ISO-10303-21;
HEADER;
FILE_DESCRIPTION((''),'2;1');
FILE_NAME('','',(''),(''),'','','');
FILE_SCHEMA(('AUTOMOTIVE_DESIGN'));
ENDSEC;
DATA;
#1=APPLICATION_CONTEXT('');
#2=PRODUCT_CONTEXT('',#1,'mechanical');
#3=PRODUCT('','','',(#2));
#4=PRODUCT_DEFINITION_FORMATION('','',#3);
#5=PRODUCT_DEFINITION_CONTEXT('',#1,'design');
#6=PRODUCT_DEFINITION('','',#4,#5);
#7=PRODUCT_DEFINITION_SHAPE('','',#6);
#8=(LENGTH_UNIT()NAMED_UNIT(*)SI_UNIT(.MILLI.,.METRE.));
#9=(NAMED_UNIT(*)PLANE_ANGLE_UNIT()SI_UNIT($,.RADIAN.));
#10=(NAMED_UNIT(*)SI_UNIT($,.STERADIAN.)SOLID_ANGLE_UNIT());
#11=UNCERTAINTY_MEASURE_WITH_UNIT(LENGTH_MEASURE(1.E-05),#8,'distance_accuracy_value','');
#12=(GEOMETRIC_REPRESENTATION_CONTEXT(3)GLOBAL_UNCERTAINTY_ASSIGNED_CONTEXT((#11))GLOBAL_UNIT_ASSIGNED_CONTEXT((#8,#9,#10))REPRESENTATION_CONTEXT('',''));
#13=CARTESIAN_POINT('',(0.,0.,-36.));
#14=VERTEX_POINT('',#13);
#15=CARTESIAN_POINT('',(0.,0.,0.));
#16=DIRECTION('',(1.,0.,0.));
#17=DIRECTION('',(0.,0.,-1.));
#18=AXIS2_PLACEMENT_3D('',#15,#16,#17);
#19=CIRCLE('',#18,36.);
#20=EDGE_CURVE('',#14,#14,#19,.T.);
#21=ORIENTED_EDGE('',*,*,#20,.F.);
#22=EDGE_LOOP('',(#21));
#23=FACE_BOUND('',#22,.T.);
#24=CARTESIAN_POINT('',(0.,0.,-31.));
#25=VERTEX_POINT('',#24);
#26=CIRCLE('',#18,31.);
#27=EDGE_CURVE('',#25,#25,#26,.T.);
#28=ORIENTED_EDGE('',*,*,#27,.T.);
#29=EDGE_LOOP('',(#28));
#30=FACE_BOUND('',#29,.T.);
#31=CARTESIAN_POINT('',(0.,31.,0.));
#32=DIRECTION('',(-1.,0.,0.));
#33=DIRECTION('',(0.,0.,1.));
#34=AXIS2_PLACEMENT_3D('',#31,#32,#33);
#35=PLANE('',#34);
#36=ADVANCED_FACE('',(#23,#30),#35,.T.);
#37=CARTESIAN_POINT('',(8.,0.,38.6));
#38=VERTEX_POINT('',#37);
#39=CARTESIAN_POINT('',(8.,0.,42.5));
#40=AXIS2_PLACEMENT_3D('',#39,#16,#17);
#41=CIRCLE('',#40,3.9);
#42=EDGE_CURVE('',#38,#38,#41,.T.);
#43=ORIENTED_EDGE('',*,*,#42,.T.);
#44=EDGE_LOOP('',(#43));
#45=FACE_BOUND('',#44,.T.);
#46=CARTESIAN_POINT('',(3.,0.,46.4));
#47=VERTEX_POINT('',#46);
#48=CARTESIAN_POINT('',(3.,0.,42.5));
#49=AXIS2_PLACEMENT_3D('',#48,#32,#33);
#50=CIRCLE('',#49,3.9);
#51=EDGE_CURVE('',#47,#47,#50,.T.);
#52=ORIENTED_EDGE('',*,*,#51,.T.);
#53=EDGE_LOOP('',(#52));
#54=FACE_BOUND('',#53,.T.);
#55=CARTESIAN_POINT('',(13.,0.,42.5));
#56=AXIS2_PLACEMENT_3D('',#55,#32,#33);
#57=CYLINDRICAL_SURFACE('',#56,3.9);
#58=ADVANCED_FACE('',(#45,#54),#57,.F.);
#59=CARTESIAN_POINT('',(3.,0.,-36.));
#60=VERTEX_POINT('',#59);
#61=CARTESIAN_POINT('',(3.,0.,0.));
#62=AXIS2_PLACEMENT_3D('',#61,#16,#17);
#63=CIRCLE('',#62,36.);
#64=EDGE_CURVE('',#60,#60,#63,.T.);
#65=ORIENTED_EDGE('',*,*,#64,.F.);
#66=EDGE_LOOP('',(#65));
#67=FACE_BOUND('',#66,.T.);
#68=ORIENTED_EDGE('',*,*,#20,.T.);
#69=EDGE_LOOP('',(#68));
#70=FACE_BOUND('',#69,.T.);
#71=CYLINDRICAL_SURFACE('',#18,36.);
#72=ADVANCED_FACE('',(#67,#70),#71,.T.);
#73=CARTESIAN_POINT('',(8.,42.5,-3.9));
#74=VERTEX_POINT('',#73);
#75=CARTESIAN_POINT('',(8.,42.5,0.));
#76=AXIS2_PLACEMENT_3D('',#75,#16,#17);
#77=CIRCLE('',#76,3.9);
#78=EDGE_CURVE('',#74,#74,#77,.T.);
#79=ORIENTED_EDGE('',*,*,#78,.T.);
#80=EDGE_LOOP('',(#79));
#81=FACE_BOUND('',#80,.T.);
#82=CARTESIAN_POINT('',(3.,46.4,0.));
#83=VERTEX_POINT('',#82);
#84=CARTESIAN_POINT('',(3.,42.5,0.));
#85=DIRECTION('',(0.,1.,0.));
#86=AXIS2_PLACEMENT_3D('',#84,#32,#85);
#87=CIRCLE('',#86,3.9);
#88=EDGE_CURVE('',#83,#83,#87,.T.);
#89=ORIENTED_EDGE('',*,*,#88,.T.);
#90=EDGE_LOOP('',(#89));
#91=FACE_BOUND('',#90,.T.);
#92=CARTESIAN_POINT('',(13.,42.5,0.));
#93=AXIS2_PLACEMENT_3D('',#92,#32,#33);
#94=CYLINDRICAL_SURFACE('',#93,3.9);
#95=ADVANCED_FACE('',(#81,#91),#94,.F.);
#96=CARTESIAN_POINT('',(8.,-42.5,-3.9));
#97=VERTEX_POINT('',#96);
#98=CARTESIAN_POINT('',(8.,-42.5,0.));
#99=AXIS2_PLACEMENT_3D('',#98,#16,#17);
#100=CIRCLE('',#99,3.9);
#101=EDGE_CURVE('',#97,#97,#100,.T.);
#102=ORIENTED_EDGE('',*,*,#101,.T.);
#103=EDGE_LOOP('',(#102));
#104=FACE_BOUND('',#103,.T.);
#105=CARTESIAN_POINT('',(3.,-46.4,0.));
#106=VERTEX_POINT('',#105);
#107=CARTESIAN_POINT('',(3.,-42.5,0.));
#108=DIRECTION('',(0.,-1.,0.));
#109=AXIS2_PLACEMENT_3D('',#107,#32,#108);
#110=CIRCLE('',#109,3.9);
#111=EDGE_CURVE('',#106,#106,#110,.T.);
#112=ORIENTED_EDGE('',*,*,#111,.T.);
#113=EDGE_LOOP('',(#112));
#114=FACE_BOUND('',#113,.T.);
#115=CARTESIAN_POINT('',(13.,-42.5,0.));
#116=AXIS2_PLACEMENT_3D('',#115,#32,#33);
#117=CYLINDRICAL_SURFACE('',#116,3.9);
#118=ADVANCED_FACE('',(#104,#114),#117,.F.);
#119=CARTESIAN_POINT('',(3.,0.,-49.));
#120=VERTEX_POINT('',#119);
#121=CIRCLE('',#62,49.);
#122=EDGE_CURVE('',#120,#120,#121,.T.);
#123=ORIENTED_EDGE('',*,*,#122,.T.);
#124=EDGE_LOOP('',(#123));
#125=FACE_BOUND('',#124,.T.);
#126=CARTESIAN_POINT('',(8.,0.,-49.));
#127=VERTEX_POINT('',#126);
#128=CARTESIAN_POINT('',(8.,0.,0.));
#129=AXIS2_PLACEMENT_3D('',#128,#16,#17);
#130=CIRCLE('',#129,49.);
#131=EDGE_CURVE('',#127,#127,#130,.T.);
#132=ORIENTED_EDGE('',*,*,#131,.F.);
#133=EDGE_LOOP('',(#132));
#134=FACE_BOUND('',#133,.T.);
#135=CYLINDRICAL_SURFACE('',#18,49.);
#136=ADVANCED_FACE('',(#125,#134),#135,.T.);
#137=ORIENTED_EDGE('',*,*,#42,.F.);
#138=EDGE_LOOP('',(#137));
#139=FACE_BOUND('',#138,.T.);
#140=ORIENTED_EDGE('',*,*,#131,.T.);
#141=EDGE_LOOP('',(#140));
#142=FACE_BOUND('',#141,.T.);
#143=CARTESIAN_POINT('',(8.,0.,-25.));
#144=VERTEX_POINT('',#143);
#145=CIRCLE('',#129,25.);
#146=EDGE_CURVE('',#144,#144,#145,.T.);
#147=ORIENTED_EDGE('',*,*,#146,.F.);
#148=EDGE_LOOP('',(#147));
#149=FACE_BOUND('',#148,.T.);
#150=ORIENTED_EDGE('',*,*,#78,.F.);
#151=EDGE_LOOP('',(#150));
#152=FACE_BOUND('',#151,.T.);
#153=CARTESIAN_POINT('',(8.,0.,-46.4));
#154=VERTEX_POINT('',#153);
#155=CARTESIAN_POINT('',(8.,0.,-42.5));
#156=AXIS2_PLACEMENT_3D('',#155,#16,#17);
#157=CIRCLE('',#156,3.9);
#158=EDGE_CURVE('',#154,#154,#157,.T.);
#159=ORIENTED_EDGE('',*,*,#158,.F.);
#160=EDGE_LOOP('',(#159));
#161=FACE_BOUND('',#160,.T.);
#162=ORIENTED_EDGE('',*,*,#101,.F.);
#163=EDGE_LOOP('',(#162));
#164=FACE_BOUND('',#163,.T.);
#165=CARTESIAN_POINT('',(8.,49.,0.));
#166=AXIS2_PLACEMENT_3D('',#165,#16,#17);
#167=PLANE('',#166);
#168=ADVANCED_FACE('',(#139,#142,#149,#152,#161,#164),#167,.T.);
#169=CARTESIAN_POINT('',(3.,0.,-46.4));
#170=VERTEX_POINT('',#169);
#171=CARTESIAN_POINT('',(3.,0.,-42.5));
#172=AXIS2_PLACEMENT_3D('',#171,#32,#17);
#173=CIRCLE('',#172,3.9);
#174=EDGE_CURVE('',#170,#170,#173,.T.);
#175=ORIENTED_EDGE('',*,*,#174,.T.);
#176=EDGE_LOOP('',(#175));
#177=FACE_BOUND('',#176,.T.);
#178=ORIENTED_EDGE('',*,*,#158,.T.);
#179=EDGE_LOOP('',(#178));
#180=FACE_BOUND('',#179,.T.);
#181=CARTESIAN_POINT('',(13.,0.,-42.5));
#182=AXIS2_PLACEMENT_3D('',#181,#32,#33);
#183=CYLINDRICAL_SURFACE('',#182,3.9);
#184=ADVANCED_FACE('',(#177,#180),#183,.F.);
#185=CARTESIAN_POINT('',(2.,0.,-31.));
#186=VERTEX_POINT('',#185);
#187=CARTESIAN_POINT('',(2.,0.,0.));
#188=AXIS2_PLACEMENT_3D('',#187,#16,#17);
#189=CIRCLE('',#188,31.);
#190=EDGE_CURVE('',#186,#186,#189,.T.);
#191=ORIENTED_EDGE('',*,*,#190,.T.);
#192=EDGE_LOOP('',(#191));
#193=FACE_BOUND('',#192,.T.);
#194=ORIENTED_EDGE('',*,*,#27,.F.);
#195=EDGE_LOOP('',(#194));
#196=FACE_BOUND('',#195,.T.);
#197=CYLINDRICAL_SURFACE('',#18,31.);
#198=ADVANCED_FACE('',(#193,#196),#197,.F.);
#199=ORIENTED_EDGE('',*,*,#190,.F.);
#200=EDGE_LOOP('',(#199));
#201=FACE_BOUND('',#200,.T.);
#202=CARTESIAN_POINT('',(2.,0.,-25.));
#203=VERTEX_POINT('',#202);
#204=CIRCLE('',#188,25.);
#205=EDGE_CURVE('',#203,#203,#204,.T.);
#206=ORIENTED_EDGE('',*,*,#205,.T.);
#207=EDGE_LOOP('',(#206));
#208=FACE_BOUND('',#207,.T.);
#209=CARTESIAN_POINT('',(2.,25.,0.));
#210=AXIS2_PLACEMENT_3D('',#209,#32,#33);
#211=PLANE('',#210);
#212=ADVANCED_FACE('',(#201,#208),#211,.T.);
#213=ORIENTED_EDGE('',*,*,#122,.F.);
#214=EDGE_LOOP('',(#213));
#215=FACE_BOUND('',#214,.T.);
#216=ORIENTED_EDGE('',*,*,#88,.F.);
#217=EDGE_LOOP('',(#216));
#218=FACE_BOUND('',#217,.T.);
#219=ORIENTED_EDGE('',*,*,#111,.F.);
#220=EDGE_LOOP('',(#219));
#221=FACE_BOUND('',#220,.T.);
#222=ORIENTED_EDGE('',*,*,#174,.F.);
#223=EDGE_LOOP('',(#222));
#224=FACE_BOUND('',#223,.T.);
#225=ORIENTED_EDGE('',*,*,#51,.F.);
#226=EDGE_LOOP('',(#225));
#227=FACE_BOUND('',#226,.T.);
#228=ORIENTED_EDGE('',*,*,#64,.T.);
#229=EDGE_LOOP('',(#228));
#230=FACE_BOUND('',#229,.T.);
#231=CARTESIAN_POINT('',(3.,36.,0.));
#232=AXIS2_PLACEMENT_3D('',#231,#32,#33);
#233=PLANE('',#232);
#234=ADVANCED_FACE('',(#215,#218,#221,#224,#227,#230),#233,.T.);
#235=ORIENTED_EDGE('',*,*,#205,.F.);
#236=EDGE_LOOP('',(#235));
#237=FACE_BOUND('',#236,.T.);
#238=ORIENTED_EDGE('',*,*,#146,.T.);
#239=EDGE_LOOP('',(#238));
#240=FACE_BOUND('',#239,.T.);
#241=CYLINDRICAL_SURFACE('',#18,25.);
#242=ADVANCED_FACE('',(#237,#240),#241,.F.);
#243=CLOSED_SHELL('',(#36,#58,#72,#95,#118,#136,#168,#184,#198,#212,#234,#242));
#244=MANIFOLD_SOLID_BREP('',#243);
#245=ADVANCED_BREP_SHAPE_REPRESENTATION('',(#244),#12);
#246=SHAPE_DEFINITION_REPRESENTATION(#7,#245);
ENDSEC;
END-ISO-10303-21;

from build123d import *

# Parameters (mm, degrees)
SKETCH3_R          = 3.9
CUT_EXTRUDE1_DEPTH = 10
CIRPATTERN1_COUNT  = 4


with BuildPart() as part:
    # Sketch1 → Revolve1 (revolve)
    with BuildSketch(Plane.XY):
        Polygon((0, 31), (0, 36), (3, 36), (3, 49), (8, 49), (8, 25), (2, 25), (2, 31), align=None)
    revolve(axis=Axis((0, 0, 0), (-1, 0, 0)))

    # Sketch3 → Cut-Extrude1 (cut)
    with BuildSketch(Plane.ZY.offset(-3)):
        with Locations((42.5, 0)):
            Circle(SKETCH3_R)
    cut_extrude1 = extrude(amount=-CUT_EXTRUDE1_DEPTH, mode=Mode.SUBTRACT)

    # CirPattern1: Cut-Extrude1 ×4 about axis
    cirpattern1_axis = Axis((0, 0, 0), (1, 0, 0))
    for i in range(1, CIRPATTERN1_COUNT):
        add(cut_extrude1.rotate(cirpattern1_axis, i * 360 / CIRPATTERN1_COUNT), mode=Mode.SUBTRACT)


solid = part.part
